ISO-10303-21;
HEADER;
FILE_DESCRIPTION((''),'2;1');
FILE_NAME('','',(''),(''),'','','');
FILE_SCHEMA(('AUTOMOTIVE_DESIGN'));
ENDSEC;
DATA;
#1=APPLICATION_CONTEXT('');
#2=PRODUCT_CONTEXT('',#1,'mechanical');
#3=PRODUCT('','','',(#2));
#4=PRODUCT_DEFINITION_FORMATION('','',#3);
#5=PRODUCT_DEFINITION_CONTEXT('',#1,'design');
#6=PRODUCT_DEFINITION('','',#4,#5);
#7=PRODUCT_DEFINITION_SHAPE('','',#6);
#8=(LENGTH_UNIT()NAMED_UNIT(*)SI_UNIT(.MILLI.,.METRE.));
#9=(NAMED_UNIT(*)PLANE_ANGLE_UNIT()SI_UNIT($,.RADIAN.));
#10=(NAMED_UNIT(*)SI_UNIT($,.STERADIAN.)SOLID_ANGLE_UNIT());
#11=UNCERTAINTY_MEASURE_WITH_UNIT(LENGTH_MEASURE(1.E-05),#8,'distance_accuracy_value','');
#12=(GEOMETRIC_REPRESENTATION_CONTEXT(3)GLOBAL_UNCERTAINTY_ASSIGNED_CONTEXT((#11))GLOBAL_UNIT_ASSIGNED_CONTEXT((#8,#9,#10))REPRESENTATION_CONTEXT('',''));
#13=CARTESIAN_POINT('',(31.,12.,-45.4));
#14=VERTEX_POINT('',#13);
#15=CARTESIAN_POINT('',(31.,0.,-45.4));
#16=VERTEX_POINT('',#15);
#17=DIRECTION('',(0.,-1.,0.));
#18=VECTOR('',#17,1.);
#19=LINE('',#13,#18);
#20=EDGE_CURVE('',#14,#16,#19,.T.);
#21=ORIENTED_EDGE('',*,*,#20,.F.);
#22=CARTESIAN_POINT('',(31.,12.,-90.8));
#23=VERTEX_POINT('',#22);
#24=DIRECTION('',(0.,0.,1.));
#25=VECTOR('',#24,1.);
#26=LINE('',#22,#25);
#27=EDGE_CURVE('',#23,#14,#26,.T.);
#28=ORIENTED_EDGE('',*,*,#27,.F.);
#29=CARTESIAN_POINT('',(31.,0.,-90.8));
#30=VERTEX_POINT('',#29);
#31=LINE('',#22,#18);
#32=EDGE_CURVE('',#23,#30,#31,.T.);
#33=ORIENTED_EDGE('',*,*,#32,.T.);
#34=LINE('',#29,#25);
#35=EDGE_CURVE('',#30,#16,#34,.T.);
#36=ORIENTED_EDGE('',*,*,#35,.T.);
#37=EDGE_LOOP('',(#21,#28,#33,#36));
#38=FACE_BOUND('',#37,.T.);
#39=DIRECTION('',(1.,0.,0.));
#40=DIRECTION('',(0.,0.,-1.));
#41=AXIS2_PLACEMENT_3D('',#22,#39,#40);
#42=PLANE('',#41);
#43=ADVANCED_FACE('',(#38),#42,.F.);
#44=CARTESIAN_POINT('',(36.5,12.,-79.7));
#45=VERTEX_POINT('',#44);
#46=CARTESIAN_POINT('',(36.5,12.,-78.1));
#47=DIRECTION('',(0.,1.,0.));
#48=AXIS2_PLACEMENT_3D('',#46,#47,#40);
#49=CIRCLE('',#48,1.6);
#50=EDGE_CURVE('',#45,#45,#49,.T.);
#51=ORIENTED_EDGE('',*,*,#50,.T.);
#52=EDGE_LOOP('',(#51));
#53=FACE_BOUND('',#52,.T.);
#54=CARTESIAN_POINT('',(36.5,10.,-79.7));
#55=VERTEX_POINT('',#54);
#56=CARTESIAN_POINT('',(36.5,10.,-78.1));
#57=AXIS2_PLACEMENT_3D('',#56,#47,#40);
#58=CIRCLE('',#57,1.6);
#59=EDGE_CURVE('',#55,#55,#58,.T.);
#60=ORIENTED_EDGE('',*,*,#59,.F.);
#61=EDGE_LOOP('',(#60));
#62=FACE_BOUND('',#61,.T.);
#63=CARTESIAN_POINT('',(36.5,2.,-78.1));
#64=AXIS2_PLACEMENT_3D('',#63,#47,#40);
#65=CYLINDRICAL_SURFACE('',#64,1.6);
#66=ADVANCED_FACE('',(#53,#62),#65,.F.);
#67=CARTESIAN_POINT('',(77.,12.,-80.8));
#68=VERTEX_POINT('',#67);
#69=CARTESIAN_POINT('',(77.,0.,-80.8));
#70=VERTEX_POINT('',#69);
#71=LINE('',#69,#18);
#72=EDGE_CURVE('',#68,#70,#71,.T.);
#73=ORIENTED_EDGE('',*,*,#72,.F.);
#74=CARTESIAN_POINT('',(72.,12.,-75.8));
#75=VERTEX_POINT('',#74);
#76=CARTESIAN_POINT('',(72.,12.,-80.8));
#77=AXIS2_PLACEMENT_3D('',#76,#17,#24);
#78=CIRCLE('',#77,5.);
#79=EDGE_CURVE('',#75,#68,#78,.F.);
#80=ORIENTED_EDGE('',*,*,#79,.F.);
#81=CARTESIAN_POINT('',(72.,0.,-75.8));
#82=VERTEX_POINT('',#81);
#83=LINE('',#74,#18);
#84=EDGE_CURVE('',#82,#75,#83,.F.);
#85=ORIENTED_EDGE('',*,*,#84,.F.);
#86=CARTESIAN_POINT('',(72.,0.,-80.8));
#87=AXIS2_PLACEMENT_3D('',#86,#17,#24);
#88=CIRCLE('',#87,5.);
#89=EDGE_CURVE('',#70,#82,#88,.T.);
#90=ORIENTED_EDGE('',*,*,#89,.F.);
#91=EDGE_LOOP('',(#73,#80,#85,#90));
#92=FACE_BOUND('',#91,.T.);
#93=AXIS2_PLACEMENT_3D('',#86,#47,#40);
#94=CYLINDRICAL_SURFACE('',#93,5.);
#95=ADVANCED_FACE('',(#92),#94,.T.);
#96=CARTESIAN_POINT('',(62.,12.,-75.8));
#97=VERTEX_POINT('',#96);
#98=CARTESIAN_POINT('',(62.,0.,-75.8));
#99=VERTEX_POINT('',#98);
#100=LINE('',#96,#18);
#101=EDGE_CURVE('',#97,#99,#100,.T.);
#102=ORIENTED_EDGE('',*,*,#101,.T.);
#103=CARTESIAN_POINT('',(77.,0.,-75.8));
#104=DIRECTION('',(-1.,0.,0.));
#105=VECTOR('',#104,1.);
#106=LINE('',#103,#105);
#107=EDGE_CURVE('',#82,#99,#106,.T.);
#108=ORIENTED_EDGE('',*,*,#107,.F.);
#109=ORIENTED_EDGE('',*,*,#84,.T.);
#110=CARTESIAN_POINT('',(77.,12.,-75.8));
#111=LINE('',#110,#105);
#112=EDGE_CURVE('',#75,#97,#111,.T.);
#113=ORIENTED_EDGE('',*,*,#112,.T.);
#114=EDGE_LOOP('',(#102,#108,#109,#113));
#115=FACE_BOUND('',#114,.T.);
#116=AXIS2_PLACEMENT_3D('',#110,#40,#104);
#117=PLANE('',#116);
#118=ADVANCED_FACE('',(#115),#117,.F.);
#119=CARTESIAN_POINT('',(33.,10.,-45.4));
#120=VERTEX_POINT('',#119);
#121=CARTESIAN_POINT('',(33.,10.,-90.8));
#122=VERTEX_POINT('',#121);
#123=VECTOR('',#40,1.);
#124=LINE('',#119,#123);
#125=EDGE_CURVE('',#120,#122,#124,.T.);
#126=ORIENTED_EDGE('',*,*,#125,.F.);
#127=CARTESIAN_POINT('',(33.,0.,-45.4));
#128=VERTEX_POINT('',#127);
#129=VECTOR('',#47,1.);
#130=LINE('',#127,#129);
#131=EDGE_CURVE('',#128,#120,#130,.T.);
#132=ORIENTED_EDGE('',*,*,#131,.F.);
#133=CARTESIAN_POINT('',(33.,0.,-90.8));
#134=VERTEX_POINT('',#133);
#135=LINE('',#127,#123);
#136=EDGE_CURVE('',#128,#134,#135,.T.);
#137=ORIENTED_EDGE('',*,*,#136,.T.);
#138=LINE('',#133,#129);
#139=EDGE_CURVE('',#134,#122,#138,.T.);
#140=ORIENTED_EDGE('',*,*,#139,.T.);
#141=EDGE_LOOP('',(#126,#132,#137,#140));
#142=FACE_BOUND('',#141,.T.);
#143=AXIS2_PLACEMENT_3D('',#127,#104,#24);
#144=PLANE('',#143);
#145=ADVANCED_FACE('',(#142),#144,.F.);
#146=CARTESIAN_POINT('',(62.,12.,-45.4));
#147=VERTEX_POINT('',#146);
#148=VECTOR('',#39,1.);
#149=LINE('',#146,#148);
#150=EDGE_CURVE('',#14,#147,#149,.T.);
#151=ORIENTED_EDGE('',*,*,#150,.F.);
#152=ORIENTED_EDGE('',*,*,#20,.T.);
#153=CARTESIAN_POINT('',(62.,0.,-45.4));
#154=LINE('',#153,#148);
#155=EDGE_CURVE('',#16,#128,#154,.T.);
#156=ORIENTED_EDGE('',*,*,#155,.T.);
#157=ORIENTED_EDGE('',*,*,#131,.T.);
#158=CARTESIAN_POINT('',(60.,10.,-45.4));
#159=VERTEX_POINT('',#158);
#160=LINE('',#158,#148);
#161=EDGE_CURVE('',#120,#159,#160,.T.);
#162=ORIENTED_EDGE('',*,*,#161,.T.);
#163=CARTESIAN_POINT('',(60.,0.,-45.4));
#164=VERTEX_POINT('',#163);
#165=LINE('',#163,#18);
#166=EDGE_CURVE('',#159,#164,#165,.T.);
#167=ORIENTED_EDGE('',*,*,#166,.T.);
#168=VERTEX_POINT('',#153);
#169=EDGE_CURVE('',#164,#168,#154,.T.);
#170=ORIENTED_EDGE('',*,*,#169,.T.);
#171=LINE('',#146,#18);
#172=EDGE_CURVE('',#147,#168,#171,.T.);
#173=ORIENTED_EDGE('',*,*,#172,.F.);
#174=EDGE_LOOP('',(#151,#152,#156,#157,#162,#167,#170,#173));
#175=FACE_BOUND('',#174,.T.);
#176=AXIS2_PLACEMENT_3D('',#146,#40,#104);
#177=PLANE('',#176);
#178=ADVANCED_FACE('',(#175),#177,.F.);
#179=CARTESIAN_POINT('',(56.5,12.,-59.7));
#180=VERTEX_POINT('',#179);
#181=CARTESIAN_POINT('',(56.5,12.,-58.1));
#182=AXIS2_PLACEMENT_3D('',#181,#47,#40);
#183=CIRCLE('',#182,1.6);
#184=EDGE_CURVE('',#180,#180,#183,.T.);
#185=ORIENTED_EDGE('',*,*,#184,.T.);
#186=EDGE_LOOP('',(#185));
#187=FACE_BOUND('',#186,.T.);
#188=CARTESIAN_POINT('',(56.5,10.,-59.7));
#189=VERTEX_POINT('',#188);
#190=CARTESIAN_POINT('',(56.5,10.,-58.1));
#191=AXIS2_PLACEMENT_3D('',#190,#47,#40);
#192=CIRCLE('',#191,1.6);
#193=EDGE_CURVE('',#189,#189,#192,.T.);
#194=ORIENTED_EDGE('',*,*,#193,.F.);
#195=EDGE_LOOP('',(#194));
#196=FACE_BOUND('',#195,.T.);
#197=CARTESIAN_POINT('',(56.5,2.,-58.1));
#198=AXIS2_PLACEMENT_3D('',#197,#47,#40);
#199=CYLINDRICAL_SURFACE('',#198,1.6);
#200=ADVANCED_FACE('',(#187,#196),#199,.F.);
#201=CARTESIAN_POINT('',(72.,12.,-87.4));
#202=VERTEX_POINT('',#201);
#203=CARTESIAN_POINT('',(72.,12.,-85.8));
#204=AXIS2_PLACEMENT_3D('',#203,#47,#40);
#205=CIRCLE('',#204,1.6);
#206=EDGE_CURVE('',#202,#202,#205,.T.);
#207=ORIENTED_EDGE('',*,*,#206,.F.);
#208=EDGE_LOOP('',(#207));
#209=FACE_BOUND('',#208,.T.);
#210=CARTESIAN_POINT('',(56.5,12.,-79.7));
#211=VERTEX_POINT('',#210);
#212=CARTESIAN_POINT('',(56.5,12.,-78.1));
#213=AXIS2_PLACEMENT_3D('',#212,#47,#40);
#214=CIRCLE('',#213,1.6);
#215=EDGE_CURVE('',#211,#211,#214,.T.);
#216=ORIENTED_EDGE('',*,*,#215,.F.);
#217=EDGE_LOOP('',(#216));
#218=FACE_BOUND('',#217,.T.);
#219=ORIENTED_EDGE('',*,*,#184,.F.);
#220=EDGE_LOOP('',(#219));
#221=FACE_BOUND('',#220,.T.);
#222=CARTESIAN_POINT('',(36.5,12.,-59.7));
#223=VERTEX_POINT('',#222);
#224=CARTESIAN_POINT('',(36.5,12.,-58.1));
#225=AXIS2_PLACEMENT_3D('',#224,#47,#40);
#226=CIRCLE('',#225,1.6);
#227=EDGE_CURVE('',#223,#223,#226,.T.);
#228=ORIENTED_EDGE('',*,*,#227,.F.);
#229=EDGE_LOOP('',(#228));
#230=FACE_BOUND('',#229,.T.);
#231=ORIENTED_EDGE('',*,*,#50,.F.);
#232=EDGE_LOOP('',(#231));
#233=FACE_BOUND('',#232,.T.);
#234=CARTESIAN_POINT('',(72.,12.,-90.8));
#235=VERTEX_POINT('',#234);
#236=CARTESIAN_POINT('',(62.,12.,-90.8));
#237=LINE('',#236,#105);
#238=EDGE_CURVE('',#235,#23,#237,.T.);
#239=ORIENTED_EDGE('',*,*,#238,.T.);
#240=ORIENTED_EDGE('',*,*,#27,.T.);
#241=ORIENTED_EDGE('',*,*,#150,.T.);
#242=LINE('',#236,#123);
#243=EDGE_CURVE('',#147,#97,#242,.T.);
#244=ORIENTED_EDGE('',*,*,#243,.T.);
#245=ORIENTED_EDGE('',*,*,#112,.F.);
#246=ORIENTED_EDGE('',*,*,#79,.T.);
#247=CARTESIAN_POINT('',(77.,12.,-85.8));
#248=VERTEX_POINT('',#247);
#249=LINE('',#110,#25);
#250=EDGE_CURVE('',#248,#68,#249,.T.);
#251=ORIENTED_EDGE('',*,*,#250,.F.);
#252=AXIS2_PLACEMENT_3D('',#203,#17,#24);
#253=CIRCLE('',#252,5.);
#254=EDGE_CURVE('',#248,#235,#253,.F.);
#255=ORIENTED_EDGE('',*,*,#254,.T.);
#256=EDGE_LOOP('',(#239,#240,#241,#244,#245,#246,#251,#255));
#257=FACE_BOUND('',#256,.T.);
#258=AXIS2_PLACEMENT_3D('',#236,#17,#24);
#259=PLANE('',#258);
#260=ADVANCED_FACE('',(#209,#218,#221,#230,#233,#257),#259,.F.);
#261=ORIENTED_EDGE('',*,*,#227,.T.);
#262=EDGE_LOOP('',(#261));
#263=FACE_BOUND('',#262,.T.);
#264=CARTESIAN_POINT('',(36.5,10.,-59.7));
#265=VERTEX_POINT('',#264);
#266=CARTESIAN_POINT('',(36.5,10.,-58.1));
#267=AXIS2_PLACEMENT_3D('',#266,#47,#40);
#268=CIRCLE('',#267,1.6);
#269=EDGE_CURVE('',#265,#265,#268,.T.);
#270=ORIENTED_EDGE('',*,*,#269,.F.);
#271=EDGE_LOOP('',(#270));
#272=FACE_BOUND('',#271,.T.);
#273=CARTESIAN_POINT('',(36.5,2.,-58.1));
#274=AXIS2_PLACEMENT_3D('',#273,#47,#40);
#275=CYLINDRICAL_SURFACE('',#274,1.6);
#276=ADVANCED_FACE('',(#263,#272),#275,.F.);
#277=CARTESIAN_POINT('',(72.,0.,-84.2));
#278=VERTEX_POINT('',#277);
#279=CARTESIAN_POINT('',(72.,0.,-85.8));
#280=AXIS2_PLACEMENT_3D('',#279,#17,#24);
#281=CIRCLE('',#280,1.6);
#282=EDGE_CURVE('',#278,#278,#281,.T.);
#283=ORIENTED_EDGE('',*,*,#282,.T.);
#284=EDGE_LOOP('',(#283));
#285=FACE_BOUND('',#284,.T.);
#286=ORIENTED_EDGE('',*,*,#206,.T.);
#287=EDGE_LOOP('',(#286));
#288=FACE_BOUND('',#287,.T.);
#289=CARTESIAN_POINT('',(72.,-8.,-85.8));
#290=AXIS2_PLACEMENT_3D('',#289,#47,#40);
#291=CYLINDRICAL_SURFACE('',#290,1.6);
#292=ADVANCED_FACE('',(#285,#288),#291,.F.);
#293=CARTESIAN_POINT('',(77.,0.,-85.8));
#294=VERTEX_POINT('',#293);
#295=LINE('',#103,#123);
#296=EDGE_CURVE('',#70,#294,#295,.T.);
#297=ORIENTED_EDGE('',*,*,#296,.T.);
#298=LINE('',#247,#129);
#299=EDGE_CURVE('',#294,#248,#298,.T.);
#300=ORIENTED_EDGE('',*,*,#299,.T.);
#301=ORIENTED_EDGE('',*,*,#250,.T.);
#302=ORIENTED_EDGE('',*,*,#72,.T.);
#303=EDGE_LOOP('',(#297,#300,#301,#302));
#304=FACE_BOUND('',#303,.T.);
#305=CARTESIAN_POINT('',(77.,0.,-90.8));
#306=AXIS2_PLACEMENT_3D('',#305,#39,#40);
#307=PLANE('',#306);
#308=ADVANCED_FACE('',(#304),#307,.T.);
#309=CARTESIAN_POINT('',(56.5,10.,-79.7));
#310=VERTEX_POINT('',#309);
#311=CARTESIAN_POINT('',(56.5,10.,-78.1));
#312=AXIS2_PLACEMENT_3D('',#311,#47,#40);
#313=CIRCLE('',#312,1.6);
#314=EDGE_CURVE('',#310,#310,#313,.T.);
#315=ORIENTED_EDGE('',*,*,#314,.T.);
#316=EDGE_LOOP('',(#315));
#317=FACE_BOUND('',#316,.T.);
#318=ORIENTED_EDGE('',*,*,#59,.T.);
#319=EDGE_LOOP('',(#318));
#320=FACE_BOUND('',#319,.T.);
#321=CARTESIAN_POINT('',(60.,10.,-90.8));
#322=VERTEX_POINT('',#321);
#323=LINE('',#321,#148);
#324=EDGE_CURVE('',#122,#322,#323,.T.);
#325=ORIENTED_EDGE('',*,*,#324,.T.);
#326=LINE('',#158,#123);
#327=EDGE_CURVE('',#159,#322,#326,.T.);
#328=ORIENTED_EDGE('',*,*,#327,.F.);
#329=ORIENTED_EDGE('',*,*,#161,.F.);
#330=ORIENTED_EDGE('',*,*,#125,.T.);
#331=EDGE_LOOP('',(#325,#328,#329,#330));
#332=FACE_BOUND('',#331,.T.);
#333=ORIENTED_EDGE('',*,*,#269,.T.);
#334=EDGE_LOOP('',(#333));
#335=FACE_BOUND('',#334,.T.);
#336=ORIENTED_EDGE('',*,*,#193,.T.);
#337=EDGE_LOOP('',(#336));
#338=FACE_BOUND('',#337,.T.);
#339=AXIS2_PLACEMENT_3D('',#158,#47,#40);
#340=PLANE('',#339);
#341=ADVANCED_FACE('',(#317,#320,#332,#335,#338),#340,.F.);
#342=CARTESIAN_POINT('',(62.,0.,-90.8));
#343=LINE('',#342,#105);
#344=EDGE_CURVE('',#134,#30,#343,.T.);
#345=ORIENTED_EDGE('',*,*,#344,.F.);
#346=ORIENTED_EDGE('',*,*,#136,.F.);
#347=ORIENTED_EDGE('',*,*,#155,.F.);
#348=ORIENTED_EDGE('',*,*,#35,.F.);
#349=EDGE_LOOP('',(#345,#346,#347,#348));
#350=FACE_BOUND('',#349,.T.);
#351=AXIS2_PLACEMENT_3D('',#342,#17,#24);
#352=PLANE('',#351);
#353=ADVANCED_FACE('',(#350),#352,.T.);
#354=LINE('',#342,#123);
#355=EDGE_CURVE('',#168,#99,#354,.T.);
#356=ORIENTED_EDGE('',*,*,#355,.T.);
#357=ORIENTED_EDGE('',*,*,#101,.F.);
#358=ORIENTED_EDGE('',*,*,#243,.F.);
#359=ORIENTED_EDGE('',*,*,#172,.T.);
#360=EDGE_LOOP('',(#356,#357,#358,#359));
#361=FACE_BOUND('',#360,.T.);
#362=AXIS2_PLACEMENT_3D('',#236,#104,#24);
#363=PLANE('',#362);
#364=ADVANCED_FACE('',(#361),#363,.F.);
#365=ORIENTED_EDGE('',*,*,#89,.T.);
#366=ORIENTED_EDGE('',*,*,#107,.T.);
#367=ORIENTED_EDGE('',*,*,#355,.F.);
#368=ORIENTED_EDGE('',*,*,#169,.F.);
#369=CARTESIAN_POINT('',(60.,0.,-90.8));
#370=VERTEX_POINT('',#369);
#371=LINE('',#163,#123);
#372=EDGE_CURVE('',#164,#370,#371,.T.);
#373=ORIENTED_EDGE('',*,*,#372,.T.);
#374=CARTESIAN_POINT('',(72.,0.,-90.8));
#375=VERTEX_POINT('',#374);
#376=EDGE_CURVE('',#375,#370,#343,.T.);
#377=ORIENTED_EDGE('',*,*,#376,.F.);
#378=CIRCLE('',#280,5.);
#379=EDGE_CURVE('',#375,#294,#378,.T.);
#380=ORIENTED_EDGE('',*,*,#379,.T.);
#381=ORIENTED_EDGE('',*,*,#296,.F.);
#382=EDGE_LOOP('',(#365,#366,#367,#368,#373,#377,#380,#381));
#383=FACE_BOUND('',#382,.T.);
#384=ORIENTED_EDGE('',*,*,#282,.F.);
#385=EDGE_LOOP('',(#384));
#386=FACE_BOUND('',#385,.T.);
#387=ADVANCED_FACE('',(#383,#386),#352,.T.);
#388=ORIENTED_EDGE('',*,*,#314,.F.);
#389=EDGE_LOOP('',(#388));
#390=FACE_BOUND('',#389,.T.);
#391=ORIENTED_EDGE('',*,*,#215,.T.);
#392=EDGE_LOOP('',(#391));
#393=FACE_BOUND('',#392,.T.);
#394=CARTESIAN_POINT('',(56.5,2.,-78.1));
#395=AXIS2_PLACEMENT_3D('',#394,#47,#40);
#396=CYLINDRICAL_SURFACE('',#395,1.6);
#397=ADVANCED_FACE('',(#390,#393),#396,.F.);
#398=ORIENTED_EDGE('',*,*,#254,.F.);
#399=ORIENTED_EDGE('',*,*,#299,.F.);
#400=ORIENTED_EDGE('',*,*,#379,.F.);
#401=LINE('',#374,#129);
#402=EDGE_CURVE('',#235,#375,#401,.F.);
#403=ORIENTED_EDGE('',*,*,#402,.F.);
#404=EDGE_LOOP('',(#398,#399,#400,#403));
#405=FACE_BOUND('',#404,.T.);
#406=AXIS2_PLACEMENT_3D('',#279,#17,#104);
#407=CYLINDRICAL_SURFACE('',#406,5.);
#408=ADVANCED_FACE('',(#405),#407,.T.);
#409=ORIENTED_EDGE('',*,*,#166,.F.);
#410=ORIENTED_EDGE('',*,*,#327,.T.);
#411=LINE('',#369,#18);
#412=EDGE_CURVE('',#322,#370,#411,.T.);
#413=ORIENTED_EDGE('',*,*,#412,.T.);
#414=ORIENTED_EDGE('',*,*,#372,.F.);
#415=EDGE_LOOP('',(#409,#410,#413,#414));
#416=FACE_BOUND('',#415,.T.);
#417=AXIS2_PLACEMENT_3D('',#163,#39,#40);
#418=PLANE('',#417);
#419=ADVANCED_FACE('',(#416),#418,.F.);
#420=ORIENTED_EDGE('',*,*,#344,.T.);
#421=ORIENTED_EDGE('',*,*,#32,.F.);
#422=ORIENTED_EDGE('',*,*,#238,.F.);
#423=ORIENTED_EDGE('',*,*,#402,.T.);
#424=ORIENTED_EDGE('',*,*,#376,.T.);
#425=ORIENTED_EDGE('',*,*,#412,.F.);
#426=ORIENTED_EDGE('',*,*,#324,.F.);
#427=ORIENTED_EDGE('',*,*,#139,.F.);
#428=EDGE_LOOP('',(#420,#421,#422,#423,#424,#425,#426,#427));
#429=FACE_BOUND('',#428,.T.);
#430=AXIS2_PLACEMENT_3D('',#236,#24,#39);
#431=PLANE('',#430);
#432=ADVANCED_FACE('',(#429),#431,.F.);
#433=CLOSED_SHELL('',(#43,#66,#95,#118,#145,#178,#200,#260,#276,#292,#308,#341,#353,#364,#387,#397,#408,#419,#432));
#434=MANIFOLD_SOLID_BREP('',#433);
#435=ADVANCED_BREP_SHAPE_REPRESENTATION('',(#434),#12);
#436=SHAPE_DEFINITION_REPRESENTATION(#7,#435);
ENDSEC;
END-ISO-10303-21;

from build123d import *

# Parameters (mm, degrees)
SKETCH1_W           = 31
SKETCH1_H           = 45.4
BOSS_EXTRUDE1_DEPTH = 12
SKETCH2_W           = 27
SKETCH2_H           = 10
CUT_EXTRUDE1_DEPTH  = 57.268641356
SKETCH3_R           = 1.6
CUT_EXTRUDE2_DEPTH  = 10
SKETCH4_W           = 15
SKETCH4_H           = 12
BOSS_EXTRUDE2_DEPTH = 15
SKETCH5_R           = 1.6
CUT_EXTRUDE3_DEPTH  = 20
FILLET1_R           = 5


with BuildPart() as part:
    # Sketch1 → Boss-Extrude1 (new body)
    with BuildSketch(Plane(origin=(0, 0, 0), x_dir=(1, 0, 0), z_dir=(0, 1, 0))):
        with Locations((15.5, 22.7)):
            Rectangle(SKETCH1_W, SKETCH1_H)
    extrude(amount=BOSS_EXTRUDE1_DEPTH)

    # Sketch2 → Cut-Extrude1 (cut, through all)
    with BuildSketch(Plane.XY):
        with Locations((15.5, 5)):
            Rectangle(SKETCH2_W, SKETCH2_H)
    extrude(amount=-CUT_EXTRUDE1_DEPTH, mode=Mode.SUBTRACT)

    # Sketch3 → Cut-Extrude2 (cut)
    with BuildSketch(Plane(origin=(0, 12, 0), x_dir=(1, 0, 0), z_dir=(0, 1, 0))):
        with Locations(Location((5.5, 32.7, 0), (0, 0, 270))):
            Circle(SKETCH3_R)
        with Locations(Location((25.5, 32.7, 0), (0, 0, 270))):
            Circle(SKETCH3_R)
        with Locations(Location((25.5, 12.7, 0), (0, 0, 270))):
            Circle(SKETCH3_R)
        with Locations(Location((5.5, 12.7, 0), (0, 0, 270))):
            Circle(SKETCH3_R)
    extrude(amount=-CUT_EXTRUDE2_DEPTH, mode=Mode.SUBTRACT)

    # Sketch4 → Boss-Extrude2 (add)
    with BuildSketch(Plane.ZY):
        with Locations((-7.5, 6)):
            Rectangle(SKETCH4_W, SKETCH4_H)
    extrude(amount=BOSS_EXTRUDE2_DEPTH)

    # Sketch5 → Cut-Extrude3 (cut)
    with BuildSketch(Plane(origin=(0, 12, 0), x_dir=(1, 0, 0), z_dir=(0, 1, 0))):
        with Locations(Location((-10, 5, 0), (0, 0, 270))):
            Circle(SKETCH5_R)
    extrude(amount=-CUT_EXTRUDE3_DEPTH, mode=Mode.SUBTRACT)

    # Fillet1
    fillet1_edges = [part.edges().sort_by_distance(p)[0] for p in [
        (-15, 6, -15),
        (-15, 6, 0),
    ]]
    fillet(fillet1_edges, radius=FILLET1_R)


with BuildPart() as body_2:
    # Mirror2: mirrored copy
    add(part.part.mirror(Plane(origin=(31, 12, 0), x_dir=(0, 0, 1), z_dir=(-1, 0, 0))))


with BuildPart() as body_3:
    # Mirror3: mirrored copy
    add(body_2.part.mirror(Plane(origin=(62, 12, -45.4), x_dir=(1, 0, 0), z_dir=(0, 0, 1))))


solid = body_3.part
